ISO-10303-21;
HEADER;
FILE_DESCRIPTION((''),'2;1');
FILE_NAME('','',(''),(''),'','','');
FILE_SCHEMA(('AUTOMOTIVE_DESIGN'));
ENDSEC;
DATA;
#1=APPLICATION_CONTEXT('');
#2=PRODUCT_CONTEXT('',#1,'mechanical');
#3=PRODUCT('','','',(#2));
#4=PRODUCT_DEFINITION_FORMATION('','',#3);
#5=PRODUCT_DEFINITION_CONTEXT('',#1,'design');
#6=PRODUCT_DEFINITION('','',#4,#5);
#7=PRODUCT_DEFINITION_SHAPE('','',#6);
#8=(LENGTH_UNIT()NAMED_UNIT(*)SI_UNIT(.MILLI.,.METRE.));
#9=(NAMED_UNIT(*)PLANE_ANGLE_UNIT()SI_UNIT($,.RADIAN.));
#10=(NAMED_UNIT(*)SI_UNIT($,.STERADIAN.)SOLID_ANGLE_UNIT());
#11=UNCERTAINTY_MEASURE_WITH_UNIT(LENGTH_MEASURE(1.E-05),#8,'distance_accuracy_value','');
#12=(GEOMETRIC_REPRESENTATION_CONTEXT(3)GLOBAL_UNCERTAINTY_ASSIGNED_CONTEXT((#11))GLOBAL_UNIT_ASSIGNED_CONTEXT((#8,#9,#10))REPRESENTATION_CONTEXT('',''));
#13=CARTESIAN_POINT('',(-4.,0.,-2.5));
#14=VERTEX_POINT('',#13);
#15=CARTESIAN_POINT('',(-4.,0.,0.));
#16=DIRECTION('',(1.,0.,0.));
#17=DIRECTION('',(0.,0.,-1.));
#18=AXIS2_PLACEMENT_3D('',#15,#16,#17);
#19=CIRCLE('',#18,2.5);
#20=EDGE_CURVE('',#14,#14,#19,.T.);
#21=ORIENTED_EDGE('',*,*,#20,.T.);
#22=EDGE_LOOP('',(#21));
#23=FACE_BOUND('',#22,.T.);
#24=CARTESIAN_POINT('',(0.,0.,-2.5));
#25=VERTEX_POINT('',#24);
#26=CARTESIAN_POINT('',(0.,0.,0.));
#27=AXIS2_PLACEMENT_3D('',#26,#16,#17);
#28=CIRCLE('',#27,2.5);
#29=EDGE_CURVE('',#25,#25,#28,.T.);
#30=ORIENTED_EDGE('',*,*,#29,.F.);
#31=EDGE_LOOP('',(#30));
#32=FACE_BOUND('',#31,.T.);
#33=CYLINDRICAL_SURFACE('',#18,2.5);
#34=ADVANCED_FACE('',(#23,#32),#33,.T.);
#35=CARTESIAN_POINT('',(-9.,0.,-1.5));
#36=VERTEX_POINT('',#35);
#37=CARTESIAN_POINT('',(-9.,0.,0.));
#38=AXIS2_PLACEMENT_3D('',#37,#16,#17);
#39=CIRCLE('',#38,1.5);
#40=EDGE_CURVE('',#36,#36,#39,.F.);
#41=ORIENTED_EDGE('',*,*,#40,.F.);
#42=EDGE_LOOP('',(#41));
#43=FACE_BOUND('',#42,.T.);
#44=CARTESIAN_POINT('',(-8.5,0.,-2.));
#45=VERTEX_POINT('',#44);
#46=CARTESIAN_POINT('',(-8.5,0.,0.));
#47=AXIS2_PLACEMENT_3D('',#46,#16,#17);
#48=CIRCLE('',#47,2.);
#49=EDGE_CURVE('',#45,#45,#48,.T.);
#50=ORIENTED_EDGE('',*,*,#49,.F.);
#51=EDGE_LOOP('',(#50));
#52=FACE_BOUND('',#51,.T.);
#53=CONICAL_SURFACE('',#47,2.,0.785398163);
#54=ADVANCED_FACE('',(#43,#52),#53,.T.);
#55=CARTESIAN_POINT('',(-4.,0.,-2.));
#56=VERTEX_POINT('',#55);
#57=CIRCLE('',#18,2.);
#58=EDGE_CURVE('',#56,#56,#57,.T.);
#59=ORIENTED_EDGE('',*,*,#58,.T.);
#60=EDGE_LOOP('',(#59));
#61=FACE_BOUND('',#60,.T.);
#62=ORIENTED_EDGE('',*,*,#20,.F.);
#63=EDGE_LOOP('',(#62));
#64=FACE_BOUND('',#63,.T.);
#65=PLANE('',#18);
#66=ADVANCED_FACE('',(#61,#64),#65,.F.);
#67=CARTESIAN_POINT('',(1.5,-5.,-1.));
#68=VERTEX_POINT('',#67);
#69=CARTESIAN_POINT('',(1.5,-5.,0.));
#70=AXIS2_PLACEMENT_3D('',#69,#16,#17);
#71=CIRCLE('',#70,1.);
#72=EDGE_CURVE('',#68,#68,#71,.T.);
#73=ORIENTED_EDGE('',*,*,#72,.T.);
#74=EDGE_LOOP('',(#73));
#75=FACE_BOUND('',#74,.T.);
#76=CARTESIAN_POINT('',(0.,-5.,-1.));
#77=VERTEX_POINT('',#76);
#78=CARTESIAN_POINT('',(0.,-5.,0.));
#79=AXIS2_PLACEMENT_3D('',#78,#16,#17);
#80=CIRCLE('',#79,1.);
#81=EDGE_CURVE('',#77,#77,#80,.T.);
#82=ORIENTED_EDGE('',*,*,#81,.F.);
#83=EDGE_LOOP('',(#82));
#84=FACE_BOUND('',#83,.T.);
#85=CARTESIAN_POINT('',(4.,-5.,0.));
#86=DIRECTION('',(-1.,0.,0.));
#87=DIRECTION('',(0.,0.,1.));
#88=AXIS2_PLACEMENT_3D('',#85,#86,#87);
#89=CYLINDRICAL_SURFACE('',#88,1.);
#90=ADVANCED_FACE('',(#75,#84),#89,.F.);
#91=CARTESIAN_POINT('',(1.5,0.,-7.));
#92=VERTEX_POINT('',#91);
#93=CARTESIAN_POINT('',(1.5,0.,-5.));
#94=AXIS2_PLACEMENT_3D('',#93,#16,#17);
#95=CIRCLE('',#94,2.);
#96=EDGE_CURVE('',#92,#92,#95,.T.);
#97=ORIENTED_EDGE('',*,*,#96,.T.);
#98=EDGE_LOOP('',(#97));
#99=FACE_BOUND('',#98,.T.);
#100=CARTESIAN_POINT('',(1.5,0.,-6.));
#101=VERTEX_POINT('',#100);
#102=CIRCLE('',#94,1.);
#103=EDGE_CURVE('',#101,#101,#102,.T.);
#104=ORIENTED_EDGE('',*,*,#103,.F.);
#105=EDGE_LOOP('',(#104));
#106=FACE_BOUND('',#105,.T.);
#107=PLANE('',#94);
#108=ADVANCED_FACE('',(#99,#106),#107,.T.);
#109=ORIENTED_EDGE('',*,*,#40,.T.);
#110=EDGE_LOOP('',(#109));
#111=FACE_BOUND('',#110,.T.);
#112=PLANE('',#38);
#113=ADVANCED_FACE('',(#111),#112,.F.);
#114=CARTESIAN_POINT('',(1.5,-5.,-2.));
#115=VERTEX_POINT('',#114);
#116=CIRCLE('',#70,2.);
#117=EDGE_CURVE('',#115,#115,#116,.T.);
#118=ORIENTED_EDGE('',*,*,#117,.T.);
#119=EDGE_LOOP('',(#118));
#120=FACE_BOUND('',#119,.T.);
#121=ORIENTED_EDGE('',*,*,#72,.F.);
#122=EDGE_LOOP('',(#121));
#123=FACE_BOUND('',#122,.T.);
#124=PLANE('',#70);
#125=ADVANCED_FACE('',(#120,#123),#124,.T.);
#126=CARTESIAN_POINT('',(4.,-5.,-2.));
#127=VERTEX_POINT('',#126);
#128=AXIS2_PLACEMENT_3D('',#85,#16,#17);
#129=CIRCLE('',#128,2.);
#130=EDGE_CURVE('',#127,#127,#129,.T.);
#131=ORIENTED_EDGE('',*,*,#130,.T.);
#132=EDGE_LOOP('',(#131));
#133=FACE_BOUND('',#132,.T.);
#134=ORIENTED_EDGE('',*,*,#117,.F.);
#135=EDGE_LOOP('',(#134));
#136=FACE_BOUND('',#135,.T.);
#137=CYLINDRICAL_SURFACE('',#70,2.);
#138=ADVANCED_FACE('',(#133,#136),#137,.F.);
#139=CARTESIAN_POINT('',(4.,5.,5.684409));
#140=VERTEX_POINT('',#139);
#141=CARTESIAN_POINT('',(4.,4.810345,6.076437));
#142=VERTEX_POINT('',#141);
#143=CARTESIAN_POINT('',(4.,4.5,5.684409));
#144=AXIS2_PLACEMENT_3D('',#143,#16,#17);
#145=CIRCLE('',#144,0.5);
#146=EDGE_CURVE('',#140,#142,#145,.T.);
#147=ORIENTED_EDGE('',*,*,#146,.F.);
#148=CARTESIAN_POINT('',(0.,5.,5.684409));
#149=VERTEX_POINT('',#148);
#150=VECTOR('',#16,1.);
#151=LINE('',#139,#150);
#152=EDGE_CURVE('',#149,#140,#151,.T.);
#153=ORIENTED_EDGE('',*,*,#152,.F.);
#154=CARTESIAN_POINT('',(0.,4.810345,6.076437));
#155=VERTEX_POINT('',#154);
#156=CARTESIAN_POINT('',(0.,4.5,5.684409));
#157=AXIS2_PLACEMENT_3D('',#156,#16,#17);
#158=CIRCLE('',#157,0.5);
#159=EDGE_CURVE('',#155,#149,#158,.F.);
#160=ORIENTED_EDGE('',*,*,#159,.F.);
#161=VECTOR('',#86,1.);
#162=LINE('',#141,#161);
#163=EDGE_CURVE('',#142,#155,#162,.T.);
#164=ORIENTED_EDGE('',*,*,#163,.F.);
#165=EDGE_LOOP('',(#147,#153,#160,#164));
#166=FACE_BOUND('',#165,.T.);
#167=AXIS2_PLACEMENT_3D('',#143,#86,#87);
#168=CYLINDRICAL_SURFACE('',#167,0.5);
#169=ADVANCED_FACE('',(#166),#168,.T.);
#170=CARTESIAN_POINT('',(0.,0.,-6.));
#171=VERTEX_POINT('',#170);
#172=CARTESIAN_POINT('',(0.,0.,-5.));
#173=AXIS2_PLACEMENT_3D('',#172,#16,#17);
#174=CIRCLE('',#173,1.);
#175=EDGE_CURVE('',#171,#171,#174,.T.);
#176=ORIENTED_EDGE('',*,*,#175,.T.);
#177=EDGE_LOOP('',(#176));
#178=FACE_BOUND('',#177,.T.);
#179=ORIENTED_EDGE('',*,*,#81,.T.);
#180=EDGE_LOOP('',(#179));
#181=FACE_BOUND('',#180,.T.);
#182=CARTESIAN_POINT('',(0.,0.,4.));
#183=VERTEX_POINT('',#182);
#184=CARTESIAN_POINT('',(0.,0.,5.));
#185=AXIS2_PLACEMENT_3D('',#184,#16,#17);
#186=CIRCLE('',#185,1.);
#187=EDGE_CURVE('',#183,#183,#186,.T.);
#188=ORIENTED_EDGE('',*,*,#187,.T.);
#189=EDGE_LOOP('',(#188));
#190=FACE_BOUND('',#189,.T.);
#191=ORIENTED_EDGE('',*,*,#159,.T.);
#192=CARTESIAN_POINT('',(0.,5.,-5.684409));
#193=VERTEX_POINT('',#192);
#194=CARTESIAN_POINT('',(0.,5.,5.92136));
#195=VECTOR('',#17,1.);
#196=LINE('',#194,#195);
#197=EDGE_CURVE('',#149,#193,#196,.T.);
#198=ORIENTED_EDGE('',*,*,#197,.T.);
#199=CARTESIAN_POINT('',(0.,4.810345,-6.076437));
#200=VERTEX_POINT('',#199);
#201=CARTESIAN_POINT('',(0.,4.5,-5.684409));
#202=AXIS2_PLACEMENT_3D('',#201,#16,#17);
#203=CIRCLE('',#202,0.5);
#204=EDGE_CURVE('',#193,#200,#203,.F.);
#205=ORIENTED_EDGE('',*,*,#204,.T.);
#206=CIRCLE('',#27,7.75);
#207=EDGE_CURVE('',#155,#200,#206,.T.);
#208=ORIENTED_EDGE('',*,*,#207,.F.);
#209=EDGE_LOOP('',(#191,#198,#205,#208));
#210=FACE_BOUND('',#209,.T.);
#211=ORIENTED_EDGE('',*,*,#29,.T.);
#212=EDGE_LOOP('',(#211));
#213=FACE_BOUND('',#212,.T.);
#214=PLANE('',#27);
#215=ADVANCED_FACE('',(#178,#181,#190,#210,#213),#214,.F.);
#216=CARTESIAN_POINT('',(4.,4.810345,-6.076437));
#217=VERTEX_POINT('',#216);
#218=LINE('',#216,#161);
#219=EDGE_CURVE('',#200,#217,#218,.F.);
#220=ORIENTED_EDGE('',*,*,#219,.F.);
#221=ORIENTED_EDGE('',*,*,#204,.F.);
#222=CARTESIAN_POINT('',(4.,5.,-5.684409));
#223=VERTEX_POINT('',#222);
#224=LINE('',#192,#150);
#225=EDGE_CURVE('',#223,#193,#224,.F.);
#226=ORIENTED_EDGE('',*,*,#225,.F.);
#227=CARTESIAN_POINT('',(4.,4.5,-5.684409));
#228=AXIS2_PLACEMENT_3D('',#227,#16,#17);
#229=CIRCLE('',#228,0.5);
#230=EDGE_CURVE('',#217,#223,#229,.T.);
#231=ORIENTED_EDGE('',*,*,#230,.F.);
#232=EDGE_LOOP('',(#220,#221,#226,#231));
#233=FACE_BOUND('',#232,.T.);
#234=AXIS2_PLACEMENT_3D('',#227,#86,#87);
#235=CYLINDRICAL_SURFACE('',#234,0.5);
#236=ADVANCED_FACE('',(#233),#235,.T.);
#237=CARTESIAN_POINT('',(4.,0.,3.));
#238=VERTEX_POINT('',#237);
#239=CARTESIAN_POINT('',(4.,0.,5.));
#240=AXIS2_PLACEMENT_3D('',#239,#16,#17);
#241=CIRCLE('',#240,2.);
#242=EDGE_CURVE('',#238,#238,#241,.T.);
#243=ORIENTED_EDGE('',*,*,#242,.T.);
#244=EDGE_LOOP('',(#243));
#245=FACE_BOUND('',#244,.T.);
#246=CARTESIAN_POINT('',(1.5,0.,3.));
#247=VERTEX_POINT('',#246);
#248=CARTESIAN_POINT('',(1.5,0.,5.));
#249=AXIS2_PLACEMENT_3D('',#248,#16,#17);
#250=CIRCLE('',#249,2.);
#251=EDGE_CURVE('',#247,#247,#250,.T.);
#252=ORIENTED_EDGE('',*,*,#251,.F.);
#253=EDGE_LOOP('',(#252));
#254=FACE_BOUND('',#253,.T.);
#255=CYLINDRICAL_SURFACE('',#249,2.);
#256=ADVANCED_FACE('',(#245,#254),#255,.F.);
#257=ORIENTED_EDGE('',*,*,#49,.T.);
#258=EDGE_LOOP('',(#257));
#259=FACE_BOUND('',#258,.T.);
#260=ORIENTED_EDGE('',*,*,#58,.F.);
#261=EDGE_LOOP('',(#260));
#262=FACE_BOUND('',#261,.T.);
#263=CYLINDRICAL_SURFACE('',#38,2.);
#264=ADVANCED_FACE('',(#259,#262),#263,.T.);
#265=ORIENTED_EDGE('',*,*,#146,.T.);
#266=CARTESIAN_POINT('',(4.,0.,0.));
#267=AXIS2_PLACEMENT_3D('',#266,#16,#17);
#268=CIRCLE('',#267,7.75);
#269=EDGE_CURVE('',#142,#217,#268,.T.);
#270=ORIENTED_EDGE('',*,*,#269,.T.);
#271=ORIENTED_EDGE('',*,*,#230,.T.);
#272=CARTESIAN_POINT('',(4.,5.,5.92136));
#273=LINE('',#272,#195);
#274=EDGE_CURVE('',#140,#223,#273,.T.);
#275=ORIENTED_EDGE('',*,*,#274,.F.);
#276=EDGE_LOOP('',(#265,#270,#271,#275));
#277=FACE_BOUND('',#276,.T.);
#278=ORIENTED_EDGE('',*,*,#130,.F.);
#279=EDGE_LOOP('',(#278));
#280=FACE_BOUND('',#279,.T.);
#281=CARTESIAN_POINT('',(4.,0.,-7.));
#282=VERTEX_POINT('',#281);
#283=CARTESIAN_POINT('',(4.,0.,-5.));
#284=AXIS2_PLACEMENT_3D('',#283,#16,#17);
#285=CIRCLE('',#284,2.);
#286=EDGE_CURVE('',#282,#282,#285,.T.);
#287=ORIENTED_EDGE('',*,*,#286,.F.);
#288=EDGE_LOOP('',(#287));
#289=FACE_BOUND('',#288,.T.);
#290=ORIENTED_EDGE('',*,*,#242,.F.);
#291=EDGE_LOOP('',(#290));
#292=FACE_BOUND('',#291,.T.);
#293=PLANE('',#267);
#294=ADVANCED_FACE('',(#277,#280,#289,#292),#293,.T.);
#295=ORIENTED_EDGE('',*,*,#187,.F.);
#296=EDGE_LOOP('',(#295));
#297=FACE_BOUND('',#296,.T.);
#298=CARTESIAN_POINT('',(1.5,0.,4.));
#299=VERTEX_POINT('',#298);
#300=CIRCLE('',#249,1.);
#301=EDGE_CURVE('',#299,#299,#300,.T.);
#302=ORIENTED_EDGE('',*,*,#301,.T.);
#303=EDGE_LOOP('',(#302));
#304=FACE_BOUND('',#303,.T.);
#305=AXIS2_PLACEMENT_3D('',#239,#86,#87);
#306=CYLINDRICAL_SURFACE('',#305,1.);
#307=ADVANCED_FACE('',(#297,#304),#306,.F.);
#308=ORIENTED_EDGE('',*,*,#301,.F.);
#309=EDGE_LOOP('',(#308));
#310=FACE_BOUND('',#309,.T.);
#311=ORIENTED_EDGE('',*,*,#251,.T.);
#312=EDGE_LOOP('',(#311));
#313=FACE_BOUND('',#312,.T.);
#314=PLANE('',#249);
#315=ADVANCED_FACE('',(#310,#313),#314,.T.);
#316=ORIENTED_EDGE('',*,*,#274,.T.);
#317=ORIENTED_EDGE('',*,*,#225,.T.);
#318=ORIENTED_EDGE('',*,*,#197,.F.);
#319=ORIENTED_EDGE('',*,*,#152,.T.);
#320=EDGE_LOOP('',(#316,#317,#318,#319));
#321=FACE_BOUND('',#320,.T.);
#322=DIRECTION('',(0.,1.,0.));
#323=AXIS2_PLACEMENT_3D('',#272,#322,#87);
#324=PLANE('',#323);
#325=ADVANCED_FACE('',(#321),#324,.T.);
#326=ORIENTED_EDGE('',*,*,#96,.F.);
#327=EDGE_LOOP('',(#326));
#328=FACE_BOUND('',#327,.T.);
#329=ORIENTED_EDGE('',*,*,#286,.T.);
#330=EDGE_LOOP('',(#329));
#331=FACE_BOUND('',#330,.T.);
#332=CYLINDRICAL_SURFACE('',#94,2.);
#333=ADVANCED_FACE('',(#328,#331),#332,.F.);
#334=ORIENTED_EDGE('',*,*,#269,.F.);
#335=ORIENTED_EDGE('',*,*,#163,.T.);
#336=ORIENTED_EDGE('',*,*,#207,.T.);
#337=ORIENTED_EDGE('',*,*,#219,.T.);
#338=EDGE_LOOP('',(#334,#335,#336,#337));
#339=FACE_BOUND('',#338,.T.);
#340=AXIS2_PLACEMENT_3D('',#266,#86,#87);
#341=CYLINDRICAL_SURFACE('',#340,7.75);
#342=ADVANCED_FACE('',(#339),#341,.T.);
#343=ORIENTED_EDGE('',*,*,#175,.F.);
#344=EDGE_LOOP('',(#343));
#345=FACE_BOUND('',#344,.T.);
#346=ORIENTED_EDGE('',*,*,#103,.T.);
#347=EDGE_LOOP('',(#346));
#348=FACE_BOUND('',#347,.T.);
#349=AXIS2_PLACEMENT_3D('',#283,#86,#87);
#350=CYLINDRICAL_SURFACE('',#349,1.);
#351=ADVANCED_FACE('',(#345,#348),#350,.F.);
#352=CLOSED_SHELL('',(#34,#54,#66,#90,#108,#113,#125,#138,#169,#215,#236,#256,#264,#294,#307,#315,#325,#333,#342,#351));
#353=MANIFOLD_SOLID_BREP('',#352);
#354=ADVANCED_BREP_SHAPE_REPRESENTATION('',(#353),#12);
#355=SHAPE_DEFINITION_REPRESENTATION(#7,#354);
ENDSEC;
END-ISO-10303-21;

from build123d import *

# Parameters (mm, degrees)
BOSS_EXTRUDE1_DEPTH = 4
SKETCH1_3_R         = 1
CUT_EXTRUDE2_DEPTH  = 4
SKETCH1_4_R         = 2.5
BOSS_EXTRUDE2_DEPTH = 4
SKETCH1_5_R         = 2
BOSS_EXTRUDE3_DEPTH = 9
CHAMFER1_SIZE       = 0.5
FILLET1_R           = 0.5
SKETCH2_R           = 2
CUT_EXTRUDE3_DEPTH  = 2.5


with BuildPart() as part:
    # Sketch1 → Boss-Extrude1 (new body)
    with BuildSketch(Plane(origin=(0, 0, 0), x_dir=(0, 0, -1), z_dir=(1, 0, 0))):
        with BuildLine():
            Line((-5.921359641, 5), (5.921359641, 5))
            ThreePointArc((5.921359641, 5), (0, -7.75), (-5.921359641, 5))
        make_face()
    extrude(amount=BOSS_EXTRUDE1_DEPTH)

    # Sketch1<3> → Cut-Extrude2 (cut)
    with BuildSketch(Plane(origin=(0, 0, 0), x_dir=(0, 0, -1), z_dir=(1, 0, 0))):
        with Locations((-5, 0)):
            Circle(SKETCH1_3_R)
        with Locations((5, 0)):
            Circle(SKETCH1_3_R)
        with Locations((0, -5)):
            Circle(SKETCH1_3_R)
    extrude(amount=CUT_EXTRUDE2_DEPTH, mode=Mode.SUBTRACT)

    # Sketch1<4> → Boss-Extrude2 (add)
    with BuildSketch(Plane(origin=(0, 0, 0), x_dir=(0, 0, -1), z_dir=(1, 0, 0))):
        Circle(SKETCH1_4_R)
    extrude(amount=-BOSS_EXTRUDE2_DEPTH)

    # Sketch1<5> → Boss-Extrude3 (add)
    with BuildSketch(Plane(origin=(0, 0, 0), x_dir=(0, 0, -1), z_dir=(1, 0, 0))):
        Circle(SKETCH1_5_R)
    extrude(amount=-BOSS_EXTRUDE3_DEPTH)

    # Chamfer1
    chamfer1_edges = [part.edges().sort_by_distance(p)[0] for p in [
        (-9, 0, 2),
    ]]
    chamfer(chamfer1_edges, length=CHAMFER1_SIZE)

    # Fillet1
    fillet1_edges = [part.edges().sort_by_distance(p)[0] for p in [
        (2, 5, 5.921359641),
        (2, 5, -5.921359641),
    ]]
    fillet(fillet1_edges, radius=FILLET1_R)

    # Sketch2 → Cut-Extrude3 (cut)
    with BuildSketch(Plane(origin=(4, 0, 0), x_dir=(0, 0, -1), z_dir=(1, 0, 0))):
        with Locations((-5, 0)):
            Circle(SKETCH2_R)
        with Locations((5, 0)):
            Circle(SKETCH2_R)
        with Locations((0, -5)):
            Circle(SKETCH2_R)
    extrude(amount=-CUT_EXTRUDE3_DEPTH, mode=Mode.SUBTRACT)


solid = part.part
